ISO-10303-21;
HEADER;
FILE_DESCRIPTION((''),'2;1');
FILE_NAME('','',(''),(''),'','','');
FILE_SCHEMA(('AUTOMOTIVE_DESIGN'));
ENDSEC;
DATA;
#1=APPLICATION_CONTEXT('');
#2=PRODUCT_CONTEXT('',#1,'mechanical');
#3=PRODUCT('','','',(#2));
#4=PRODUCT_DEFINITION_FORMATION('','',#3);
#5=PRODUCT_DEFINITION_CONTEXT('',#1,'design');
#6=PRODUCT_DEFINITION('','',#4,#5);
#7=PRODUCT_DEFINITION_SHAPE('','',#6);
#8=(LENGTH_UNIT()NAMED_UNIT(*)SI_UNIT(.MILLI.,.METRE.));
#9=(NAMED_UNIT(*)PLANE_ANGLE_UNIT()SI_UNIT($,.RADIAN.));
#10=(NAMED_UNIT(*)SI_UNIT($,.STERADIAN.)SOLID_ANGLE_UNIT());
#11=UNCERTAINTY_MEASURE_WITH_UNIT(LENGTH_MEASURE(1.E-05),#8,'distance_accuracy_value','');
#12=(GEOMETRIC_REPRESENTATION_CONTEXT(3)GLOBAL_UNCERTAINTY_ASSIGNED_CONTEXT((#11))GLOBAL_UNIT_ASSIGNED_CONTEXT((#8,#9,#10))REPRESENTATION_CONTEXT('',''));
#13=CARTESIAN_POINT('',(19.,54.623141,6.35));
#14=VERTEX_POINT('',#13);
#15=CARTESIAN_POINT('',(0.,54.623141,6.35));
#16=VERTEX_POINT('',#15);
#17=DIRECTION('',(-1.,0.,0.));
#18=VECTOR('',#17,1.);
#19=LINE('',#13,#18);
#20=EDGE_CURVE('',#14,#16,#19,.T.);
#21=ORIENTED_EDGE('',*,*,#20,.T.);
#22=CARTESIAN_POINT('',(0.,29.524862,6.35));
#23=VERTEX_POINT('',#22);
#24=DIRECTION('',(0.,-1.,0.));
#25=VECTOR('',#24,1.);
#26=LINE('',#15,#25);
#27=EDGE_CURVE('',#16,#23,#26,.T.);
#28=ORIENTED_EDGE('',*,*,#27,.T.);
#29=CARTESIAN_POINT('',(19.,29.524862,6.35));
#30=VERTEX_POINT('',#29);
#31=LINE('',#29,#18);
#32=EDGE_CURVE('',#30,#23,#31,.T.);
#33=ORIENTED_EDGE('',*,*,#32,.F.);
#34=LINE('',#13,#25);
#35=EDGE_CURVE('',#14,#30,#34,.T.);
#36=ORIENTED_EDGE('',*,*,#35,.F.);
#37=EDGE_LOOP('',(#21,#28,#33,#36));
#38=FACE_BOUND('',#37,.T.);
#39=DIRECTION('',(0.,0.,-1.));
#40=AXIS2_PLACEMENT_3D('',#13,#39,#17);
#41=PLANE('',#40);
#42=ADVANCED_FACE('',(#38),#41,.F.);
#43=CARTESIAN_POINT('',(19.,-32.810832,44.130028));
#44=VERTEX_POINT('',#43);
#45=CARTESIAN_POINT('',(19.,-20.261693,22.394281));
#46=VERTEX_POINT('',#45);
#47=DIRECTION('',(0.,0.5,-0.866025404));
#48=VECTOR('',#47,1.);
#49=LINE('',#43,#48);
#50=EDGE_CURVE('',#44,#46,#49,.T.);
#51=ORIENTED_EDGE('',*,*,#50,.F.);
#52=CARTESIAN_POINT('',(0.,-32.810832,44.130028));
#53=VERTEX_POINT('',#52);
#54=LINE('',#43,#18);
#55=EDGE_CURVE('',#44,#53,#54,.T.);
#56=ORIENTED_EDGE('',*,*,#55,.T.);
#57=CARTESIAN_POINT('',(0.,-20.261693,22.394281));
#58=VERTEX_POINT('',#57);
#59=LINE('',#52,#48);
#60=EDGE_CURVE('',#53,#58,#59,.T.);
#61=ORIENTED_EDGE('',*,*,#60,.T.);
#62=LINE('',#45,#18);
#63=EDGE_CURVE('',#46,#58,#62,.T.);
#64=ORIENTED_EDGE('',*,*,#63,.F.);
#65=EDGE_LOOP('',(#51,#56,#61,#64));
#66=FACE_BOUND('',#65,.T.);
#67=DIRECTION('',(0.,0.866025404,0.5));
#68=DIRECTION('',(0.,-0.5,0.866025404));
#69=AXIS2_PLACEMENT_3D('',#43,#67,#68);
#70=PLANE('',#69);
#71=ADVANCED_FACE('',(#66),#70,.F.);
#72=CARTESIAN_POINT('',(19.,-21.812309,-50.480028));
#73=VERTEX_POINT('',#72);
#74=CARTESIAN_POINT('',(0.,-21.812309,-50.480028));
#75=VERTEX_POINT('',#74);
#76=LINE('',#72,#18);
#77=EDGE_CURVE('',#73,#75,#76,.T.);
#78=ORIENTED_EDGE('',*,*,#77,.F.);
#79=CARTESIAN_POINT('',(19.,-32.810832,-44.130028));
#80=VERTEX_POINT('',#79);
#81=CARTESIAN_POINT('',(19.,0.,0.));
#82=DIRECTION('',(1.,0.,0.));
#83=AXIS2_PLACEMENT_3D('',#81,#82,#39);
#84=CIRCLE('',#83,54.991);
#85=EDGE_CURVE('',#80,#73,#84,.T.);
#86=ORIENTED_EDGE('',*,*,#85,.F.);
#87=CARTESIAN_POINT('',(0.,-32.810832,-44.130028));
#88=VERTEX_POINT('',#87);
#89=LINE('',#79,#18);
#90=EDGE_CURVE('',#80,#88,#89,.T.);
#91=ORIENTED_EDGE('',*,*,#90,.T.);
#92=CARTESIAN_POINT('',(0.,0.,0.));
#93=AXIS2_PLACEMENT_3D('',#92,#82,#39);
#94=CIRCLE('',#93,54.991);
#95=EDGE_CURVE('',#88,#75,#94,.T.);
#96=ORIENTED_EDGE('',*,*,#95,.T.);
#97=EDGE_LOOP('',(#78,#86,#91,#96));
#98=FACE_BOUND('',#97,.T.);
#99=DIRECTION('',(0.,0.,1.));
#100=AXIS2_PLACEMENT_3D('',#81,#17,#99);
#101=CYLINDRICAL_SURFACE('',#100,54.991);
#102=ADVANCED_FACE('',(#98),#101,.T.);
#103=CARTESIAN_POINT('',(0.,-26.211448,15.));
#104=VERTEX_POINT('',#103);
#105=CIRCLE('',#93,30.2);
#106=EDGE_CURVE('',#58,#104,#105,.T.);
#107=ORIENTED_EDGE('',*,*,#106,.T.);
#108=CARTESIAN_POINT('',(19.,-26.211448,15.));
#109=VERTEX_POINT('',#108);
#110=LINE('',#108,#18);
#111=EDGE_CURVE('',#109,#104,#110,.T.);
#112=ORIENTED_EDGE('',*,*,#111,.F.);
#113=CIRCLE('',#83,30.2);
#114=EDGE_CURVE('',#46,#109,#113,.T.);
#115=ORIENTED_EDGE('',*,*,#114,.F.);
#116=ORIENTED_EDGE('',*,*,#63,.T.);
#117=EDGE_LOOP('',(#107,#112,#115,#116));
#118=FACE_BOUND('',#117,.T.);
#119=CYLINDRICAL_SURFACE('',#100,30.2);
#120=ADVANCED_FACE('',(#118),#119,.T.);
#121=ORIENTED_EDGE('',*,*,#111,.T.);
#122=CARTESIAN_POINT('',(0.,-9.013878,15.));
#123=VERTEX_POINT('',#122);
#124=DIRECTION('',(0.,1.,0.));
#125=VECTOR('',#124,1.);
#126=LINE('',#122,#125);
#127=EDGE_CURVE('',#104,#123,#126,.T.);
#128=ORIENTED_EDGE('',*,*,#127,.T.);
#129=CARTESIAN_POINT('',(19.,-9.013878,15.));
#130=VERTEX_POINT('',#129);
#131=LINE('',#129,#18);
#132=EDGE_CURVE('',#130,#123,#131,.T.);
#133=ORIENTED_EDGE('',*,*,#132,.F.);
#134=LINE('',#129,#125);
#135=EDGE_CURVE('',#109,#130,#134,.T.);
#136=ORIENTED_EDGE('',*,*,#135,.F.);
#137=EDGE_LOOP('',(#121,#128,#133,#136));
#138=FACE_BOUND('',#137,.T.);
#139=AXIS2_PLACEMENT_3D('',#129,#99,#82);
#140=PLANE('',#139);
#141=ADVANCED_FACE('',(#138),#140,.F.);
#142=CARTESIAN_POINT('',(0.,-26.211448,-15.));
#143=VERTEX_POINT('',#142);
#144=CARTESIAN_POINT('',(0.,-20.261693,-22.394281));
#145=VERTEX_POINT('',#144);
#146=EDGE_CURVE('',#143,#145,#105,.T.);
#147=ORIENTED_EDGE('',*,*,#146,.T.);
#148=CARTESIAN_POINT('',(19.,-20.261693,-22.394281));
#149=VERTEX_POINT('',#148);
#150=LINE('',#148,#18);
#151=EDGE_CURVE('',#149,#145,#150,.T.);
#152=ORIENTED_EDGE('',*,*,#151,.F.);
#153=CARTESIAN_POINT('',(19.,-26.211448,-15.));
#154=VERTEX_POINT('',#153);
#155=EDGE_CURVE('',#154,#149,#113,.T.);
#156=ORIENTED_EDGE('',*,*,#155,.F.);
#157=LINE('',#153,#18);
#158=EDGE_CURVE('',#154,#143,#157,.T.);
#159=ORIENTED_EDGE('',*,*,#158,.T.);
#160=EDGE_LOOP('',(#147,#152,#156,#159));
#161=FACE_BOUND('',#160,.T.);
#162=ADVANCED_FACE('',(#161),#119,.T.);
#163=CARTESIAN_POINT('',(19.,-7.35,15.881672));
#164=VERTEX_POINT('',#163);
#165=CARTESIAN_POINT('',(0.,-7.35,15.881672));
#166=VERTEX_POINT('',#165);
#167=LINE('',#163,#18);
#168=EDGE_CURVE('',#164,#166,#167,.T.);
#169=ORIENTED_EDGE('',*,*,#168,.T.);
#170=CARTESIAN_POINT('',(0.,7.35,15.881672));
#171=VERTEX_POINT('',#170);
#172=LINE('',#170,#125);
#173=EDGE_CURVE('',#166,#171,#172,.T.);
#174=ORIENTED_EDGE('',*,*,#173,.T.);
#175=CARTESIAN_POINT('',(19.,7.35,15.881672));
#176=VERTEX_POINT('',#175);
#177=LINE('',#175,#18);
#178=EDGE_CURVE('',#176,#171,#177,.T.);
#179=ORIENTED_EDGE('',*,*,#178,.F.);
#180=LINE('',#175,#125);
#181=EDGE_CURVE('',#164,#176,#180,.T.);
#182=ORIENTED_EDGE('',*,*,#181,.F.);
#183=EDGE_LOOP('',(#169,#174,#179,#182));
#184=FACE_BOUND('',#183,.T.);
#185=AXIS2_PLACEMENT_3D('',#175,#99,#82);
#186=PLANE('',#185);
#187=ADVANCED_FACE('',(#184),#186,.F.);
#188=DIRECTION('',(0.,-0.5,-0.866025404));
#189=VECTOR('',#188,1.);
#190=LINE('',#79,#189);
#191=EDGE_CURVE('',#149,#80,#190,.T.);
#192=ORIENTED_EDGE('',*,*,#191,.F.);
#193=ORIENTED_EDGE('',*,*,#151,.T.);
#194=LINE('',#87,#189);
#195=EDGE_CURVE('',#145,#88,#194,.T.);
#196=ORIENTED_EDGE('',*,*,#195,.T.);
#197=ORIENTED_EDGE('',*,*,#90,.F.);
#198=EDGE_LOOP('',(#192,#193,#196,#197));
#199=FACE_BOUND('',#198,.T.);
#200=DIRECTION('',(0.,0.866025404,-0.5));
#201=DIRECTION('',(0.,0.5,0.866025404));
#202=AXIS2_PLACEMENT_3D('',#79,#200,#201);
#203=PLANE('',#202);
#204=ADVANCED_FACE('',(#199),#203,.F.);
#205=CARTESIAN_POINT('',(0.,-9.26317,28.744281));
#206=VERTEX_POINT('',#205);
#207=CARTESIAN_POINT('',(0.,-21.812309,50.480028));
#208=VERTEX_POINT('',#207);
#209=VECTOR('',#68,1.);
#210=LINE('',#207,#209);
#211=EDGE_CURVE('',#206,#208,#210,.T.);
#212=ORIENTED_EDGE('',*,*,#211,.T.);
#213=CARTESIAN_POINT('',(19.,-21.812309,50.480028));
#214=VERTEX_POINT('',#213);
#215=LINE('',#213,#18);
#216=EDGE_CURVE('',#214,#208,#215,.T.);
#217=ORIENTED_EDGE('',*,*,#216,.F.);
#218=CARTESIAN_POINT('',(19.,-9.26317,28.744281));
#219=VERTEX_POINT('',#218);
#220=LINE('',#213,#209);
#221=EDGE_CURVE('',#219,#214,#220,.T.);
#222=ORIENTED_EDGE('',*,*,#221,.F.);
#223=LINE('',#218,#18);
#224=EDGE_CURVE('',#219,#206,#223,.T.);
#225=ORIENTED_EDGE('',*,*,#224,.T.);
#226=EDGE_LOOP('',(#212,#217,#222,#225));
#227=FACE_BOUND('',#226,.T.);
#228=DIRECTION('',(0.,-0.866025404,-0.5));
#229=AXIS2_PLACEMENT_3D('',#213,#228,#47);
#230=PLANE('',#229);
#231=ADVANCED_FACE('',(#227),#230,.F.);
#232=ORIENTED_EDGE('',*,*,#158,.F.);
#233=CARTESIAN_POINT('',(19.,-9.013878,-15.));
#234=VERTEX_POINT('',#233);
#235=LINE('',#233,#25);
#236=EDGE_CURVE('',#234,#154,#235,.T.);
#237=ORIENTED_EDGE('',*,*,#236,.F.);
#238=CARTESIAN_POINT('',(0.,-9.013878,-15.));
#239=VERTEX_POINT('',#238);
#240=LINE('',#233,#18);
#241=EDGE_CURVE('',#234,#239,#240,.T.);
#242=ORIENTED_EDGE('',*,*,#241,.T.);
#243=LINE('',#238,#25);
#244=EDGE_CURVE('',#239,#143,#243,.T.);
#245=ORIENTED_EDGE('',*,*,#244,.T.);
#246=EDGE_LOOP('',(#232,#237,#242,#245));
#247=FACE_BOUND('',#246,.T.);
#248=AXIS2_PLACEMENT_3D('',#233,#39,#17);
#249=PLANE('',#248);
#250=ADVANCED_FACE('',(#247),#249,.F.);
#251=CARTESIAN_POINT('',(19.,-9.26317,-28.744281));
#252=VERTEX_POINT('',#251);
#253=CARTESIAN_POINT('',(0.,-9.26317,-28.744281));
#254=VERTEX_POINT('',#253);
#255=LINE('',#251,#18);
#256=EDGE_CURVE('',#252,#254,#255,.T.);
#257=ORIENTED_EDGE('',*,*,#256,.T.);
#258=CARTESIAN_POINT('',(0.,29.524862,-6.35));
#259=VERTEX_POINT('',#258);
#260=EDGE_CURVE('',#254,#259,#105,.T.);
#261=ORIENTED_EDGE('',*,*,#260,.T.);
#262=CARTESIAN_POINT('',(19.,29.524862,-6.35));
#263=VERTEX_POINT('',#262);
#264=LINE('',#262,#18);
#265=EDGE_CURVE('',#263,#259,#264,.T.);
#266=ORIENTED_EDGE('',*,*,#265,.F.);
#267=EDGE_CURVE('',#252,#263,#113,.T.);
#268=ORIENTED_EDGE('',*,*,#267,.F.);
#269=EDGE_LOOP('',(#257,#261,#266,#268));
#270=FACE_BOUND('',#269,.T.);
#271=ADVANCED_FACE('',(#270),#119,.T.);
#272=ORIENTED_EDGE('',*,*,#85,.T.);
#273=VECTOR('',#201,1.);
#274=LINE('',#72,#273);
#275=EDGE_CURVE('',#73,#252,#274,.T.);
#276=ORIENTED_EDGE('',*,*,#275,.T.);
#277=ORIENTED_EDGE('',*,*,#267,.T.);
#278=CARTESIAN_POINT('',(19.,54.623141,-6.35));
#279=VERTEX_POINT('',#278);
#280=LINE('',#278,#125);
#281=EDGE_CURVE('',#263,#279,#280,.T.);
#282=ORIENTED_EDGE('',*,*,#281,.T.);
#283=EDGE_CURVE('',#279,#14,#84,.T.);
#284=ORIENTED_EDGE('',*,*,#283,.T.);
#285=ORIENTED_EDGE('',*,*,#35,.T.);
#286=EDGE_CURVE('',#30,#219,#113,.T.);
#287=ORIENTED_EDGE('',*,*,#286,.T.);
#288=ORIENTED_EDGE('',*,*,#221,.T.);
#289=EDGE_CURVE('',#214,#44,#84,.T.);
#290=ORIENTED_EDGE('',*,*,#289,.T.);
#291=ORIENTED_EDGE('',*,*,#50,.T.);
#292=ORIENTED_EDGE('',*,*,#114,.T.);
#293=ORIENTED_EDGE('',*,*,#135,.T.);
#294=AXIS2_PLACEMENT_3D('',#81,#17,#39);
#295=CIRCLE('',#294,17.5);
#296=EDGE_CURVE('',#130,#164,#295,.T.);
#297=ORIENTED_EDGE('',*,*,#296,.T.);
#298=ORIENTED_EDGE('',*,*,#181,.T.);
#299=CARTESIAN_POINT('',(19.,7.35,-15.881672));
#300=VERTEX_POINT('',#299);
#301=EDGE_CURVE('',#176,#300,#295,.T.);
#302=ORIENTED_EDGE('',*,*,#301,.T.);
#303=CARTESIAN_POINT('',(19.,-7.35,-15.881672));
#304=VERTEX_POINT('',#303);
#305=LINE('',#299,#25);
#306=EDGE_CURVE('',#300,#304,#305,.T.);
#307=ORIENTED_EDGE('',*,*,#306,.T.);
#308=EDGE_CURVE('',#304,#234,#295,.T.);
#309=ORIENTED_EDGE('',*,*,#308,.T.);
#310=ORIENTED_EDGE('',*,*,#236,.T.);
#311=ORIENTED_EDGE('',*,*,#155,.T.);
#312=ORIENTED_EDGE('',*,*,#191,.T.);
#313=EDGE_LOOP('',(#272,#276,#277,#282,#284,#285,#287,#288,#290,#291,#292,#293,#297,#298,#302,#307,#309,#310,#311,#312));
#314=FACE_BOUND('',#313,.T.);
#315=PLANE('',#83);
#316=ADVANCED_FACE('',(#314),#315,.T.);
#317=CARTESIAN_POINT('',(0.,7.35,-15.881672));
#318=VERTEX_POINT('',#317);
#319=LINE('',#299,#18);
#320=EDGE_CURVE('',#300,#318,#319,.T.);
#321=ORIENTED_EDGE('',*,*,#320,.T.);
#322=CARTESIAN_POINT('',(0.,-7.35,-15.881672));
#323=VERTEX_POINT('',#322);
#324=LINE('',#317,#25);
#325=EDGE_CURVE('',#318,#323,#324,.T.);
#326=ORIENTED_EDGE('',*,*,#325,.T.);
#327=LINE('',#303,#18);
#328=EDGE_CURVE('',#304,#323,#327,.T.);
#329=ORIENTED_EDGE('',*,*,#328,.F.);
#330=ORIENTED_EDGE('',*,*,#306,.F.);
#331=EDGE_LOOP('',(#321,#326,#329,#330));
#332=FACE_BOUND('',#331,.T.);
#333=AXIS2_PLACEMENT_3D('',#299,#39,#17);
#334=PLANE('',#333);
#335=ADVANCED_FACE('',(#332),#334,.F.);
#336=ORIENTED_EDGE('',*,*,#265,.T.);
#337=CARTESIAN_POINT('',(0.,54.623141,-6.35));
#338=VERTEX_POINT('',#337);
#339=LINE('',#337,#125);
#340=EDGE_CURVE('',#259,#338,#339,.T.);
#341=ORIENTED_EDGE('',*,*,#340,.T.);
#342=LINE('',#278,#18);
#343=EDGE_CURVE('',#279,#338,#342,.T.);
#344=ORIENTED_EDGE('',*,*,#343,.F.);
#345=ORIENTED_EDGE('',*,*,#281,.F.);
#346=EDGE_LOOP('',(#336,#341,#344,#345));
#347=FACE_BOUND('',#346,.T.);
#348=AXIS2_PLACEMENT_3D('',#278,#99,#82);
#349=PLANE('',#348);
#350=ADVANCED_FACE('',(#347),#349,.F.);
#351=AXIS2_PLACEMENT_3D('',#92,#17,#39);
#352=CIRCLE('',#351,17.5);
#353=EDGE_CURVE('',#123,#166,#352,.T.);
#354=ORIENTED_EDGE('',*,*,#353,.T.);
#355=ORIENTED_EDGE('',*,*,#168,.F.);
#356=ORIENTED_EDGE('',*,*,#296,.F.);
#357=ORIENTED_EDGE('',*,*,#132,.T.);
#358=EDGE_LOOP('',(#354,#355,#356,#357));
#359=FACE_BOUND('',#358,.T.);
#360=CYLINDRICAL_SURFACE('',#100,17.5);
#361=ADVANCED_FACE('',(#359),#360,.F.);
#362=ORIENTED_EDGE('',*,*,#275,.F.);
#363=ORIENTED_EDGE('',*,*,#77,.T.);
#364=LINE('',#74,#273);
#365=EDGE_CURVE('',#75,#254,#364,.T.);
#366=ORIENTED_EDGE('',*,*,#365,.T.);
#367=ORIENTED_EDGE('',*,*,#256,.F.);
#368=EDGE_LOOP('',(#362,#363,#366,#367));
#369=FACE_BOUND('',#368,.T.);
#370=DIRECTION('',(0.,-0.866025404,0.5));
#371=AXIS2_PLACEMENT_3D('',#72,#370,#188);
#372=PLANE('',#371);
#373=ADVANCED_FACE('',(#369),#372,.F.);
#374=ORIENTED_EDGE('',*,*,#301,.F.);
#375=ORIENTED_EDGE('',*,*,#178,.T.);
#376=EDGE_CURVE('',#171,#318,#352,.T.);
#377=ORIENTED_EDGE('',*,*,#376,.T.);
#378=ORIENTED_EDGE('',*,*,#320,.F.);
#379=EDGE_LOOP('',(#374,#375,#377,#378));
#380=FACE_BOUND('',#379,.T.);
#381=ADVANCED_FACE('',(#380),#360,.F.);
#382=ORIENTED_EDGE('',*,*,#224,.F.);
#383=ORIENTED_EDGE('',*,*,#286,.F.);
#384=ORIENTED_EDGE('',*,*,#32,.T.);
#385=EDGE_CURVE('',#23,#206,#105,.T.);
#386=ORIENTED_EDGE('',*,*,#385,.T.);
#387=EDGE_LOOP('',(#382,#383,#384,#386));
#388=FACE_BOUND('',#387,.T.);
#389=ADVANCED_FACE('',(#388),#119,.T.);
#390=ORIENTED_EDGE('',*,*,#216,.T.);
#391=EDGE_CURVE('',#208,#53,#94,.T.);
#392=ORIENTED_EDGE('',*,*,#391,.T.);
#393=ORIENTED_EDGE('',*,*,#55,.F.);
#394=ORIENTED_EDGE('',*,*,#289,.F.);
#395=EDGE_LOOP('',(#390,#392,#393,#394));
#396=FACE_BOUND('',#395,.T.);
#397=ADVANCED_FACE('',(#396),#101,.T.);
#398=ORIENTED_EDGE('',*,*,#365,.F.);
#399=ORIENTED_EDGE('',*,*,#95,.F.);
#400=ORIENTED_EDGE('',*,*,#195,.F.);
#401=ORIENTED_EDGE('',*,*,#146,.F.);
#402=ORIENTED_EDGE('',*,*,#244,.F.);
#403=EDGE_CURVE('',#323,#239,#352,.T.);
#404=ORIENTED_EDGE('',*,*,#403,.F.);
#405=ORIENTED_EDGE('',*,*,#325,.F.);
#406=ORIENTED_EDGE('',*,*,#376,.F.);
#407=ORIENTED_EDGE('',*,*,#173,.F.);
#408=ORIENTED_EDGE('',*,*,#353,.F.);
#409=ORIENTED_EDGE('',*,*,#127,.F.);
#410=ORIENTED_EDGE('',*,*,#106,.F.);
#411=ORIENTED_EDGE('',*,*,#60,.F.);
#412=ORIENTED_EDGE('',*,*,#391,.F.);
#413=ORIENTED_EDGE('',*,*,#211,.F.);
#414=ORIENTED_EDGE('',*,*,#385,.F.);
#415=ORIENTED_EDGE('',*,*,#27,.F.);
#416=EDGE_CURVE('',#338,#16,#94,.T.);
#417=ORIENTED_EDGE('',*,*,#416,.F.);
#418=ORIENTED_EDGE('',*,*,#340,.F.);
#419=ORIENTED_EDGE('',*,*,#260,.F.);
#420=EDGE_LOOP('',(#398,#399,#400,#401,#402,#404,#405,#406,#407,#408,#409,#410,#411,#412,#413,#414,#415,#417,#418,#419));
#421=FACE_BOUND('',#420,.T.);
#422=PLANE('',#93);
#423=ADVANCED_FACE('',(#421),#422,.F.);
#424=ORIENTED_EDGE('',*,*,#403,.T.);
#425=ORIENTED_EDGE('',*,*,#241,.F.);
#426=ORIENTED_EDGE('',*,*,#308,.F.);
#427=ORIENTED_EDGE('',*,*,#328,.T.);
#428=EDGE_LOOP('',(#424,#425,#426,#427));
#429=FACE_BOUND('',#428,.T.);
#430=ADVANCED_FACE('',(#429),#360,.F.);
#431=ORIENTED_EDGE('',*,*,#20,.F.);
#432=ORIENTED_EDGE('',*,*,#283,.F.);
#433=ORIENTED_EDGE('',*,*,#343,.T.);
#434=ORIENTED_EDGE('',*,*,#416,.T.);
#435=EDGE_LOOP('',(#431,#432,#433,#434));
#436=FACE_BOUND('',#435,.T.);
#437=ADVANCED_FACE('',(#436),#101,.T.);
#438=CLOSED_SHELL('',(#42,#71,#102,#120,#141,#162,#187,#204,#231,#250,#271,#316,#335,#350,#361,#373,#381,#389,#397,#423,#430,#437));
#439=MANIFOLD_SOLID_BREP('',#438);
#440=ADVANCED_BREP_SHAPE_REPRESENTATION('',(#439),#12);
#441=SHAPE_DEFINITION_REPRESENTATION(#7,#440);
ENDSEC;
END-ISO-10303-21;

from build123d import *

# Parameters (mm, degrees)
BOSS_EXTRUDE1_DEPTH = 19


with BuildPart() as part:
    # Sketch1 → Boss-Extrude1 (new body)
    with BuildSketch(Plane(origin=(0, 0, 0), x_dir=(0, 0, -1), z_dir=(1, 0, 0))):
        with BuildLine():
            Line((15.881671826, 7.35), (15.881671826, -7.35))
            ThreePointArc((15.881671826, -7.35), (15.463231756, -8.19380642), (15, -9.013878189))
            Line((15, -9.013878189), (15, -26.211447881))
            ThreePointArc((15, -26.211447881), (18.932325741, -23.528855519), (22.394280885, -20.261692516))
            Line((22.394280885, -20.261692516), (44.130028123, -32.810832035))
            ThreePointArc((44.130028123, -32.810832035), (47.62360298, -27.4955), (50.480028123, -21.812309407))
            Line((50.480028123, -21.812309407), (28.744280885, -9.263169888))
            ThreePointArc((28.744280885, -9.263169888), (26.153967194, 15.1), (6.35, 29.524862404))
            Line((6.35, 29.524862404), (6.35, 54.623141442))
            ThreePointArc((6.35, 54.623141442), (0, 54.991), (-6.35, 54.623141442))
            Line((-6.35, 54.623141442), (-6.35, 29.524862404))
            ThreePointArc((-6.35, 29.524862404), (-26.153967194, 15.1), (-28.744280885, -9.263169888))
            Line((-28.744280885, -9.263169888), (-50.480028123, -21.812309407))
            ThreePointArc((-50.480028123, -21.812309407), (-47.62360298, -27.4955), (-44.130028123, -32.810832035))
            Line((-44.130028123, -32.810832035), (-22.394280885, -20.261692516))
            ThreePointArc((-22.394280885, -20.261692516), (-18.932325741, -23.528855519), (-15, -26.211447881))
            Line((-15, -26.211447881), (-15, -9.013878189))
            ThreePointArc((-15, -9.013878189), (-15.463231756, -8.19380642), (-15.881671826, -7.35))
            Line((-15.881671826, -7.35), (-15.881671826, 7.35))
            ThreePointArc((-15.881671826, 7.35), (0, 17.5), (15.881671826, 7.35))
        make_face()
    extrude(amount=BOSS_EXTRUDE1_DEPTH)


solid = part.part
